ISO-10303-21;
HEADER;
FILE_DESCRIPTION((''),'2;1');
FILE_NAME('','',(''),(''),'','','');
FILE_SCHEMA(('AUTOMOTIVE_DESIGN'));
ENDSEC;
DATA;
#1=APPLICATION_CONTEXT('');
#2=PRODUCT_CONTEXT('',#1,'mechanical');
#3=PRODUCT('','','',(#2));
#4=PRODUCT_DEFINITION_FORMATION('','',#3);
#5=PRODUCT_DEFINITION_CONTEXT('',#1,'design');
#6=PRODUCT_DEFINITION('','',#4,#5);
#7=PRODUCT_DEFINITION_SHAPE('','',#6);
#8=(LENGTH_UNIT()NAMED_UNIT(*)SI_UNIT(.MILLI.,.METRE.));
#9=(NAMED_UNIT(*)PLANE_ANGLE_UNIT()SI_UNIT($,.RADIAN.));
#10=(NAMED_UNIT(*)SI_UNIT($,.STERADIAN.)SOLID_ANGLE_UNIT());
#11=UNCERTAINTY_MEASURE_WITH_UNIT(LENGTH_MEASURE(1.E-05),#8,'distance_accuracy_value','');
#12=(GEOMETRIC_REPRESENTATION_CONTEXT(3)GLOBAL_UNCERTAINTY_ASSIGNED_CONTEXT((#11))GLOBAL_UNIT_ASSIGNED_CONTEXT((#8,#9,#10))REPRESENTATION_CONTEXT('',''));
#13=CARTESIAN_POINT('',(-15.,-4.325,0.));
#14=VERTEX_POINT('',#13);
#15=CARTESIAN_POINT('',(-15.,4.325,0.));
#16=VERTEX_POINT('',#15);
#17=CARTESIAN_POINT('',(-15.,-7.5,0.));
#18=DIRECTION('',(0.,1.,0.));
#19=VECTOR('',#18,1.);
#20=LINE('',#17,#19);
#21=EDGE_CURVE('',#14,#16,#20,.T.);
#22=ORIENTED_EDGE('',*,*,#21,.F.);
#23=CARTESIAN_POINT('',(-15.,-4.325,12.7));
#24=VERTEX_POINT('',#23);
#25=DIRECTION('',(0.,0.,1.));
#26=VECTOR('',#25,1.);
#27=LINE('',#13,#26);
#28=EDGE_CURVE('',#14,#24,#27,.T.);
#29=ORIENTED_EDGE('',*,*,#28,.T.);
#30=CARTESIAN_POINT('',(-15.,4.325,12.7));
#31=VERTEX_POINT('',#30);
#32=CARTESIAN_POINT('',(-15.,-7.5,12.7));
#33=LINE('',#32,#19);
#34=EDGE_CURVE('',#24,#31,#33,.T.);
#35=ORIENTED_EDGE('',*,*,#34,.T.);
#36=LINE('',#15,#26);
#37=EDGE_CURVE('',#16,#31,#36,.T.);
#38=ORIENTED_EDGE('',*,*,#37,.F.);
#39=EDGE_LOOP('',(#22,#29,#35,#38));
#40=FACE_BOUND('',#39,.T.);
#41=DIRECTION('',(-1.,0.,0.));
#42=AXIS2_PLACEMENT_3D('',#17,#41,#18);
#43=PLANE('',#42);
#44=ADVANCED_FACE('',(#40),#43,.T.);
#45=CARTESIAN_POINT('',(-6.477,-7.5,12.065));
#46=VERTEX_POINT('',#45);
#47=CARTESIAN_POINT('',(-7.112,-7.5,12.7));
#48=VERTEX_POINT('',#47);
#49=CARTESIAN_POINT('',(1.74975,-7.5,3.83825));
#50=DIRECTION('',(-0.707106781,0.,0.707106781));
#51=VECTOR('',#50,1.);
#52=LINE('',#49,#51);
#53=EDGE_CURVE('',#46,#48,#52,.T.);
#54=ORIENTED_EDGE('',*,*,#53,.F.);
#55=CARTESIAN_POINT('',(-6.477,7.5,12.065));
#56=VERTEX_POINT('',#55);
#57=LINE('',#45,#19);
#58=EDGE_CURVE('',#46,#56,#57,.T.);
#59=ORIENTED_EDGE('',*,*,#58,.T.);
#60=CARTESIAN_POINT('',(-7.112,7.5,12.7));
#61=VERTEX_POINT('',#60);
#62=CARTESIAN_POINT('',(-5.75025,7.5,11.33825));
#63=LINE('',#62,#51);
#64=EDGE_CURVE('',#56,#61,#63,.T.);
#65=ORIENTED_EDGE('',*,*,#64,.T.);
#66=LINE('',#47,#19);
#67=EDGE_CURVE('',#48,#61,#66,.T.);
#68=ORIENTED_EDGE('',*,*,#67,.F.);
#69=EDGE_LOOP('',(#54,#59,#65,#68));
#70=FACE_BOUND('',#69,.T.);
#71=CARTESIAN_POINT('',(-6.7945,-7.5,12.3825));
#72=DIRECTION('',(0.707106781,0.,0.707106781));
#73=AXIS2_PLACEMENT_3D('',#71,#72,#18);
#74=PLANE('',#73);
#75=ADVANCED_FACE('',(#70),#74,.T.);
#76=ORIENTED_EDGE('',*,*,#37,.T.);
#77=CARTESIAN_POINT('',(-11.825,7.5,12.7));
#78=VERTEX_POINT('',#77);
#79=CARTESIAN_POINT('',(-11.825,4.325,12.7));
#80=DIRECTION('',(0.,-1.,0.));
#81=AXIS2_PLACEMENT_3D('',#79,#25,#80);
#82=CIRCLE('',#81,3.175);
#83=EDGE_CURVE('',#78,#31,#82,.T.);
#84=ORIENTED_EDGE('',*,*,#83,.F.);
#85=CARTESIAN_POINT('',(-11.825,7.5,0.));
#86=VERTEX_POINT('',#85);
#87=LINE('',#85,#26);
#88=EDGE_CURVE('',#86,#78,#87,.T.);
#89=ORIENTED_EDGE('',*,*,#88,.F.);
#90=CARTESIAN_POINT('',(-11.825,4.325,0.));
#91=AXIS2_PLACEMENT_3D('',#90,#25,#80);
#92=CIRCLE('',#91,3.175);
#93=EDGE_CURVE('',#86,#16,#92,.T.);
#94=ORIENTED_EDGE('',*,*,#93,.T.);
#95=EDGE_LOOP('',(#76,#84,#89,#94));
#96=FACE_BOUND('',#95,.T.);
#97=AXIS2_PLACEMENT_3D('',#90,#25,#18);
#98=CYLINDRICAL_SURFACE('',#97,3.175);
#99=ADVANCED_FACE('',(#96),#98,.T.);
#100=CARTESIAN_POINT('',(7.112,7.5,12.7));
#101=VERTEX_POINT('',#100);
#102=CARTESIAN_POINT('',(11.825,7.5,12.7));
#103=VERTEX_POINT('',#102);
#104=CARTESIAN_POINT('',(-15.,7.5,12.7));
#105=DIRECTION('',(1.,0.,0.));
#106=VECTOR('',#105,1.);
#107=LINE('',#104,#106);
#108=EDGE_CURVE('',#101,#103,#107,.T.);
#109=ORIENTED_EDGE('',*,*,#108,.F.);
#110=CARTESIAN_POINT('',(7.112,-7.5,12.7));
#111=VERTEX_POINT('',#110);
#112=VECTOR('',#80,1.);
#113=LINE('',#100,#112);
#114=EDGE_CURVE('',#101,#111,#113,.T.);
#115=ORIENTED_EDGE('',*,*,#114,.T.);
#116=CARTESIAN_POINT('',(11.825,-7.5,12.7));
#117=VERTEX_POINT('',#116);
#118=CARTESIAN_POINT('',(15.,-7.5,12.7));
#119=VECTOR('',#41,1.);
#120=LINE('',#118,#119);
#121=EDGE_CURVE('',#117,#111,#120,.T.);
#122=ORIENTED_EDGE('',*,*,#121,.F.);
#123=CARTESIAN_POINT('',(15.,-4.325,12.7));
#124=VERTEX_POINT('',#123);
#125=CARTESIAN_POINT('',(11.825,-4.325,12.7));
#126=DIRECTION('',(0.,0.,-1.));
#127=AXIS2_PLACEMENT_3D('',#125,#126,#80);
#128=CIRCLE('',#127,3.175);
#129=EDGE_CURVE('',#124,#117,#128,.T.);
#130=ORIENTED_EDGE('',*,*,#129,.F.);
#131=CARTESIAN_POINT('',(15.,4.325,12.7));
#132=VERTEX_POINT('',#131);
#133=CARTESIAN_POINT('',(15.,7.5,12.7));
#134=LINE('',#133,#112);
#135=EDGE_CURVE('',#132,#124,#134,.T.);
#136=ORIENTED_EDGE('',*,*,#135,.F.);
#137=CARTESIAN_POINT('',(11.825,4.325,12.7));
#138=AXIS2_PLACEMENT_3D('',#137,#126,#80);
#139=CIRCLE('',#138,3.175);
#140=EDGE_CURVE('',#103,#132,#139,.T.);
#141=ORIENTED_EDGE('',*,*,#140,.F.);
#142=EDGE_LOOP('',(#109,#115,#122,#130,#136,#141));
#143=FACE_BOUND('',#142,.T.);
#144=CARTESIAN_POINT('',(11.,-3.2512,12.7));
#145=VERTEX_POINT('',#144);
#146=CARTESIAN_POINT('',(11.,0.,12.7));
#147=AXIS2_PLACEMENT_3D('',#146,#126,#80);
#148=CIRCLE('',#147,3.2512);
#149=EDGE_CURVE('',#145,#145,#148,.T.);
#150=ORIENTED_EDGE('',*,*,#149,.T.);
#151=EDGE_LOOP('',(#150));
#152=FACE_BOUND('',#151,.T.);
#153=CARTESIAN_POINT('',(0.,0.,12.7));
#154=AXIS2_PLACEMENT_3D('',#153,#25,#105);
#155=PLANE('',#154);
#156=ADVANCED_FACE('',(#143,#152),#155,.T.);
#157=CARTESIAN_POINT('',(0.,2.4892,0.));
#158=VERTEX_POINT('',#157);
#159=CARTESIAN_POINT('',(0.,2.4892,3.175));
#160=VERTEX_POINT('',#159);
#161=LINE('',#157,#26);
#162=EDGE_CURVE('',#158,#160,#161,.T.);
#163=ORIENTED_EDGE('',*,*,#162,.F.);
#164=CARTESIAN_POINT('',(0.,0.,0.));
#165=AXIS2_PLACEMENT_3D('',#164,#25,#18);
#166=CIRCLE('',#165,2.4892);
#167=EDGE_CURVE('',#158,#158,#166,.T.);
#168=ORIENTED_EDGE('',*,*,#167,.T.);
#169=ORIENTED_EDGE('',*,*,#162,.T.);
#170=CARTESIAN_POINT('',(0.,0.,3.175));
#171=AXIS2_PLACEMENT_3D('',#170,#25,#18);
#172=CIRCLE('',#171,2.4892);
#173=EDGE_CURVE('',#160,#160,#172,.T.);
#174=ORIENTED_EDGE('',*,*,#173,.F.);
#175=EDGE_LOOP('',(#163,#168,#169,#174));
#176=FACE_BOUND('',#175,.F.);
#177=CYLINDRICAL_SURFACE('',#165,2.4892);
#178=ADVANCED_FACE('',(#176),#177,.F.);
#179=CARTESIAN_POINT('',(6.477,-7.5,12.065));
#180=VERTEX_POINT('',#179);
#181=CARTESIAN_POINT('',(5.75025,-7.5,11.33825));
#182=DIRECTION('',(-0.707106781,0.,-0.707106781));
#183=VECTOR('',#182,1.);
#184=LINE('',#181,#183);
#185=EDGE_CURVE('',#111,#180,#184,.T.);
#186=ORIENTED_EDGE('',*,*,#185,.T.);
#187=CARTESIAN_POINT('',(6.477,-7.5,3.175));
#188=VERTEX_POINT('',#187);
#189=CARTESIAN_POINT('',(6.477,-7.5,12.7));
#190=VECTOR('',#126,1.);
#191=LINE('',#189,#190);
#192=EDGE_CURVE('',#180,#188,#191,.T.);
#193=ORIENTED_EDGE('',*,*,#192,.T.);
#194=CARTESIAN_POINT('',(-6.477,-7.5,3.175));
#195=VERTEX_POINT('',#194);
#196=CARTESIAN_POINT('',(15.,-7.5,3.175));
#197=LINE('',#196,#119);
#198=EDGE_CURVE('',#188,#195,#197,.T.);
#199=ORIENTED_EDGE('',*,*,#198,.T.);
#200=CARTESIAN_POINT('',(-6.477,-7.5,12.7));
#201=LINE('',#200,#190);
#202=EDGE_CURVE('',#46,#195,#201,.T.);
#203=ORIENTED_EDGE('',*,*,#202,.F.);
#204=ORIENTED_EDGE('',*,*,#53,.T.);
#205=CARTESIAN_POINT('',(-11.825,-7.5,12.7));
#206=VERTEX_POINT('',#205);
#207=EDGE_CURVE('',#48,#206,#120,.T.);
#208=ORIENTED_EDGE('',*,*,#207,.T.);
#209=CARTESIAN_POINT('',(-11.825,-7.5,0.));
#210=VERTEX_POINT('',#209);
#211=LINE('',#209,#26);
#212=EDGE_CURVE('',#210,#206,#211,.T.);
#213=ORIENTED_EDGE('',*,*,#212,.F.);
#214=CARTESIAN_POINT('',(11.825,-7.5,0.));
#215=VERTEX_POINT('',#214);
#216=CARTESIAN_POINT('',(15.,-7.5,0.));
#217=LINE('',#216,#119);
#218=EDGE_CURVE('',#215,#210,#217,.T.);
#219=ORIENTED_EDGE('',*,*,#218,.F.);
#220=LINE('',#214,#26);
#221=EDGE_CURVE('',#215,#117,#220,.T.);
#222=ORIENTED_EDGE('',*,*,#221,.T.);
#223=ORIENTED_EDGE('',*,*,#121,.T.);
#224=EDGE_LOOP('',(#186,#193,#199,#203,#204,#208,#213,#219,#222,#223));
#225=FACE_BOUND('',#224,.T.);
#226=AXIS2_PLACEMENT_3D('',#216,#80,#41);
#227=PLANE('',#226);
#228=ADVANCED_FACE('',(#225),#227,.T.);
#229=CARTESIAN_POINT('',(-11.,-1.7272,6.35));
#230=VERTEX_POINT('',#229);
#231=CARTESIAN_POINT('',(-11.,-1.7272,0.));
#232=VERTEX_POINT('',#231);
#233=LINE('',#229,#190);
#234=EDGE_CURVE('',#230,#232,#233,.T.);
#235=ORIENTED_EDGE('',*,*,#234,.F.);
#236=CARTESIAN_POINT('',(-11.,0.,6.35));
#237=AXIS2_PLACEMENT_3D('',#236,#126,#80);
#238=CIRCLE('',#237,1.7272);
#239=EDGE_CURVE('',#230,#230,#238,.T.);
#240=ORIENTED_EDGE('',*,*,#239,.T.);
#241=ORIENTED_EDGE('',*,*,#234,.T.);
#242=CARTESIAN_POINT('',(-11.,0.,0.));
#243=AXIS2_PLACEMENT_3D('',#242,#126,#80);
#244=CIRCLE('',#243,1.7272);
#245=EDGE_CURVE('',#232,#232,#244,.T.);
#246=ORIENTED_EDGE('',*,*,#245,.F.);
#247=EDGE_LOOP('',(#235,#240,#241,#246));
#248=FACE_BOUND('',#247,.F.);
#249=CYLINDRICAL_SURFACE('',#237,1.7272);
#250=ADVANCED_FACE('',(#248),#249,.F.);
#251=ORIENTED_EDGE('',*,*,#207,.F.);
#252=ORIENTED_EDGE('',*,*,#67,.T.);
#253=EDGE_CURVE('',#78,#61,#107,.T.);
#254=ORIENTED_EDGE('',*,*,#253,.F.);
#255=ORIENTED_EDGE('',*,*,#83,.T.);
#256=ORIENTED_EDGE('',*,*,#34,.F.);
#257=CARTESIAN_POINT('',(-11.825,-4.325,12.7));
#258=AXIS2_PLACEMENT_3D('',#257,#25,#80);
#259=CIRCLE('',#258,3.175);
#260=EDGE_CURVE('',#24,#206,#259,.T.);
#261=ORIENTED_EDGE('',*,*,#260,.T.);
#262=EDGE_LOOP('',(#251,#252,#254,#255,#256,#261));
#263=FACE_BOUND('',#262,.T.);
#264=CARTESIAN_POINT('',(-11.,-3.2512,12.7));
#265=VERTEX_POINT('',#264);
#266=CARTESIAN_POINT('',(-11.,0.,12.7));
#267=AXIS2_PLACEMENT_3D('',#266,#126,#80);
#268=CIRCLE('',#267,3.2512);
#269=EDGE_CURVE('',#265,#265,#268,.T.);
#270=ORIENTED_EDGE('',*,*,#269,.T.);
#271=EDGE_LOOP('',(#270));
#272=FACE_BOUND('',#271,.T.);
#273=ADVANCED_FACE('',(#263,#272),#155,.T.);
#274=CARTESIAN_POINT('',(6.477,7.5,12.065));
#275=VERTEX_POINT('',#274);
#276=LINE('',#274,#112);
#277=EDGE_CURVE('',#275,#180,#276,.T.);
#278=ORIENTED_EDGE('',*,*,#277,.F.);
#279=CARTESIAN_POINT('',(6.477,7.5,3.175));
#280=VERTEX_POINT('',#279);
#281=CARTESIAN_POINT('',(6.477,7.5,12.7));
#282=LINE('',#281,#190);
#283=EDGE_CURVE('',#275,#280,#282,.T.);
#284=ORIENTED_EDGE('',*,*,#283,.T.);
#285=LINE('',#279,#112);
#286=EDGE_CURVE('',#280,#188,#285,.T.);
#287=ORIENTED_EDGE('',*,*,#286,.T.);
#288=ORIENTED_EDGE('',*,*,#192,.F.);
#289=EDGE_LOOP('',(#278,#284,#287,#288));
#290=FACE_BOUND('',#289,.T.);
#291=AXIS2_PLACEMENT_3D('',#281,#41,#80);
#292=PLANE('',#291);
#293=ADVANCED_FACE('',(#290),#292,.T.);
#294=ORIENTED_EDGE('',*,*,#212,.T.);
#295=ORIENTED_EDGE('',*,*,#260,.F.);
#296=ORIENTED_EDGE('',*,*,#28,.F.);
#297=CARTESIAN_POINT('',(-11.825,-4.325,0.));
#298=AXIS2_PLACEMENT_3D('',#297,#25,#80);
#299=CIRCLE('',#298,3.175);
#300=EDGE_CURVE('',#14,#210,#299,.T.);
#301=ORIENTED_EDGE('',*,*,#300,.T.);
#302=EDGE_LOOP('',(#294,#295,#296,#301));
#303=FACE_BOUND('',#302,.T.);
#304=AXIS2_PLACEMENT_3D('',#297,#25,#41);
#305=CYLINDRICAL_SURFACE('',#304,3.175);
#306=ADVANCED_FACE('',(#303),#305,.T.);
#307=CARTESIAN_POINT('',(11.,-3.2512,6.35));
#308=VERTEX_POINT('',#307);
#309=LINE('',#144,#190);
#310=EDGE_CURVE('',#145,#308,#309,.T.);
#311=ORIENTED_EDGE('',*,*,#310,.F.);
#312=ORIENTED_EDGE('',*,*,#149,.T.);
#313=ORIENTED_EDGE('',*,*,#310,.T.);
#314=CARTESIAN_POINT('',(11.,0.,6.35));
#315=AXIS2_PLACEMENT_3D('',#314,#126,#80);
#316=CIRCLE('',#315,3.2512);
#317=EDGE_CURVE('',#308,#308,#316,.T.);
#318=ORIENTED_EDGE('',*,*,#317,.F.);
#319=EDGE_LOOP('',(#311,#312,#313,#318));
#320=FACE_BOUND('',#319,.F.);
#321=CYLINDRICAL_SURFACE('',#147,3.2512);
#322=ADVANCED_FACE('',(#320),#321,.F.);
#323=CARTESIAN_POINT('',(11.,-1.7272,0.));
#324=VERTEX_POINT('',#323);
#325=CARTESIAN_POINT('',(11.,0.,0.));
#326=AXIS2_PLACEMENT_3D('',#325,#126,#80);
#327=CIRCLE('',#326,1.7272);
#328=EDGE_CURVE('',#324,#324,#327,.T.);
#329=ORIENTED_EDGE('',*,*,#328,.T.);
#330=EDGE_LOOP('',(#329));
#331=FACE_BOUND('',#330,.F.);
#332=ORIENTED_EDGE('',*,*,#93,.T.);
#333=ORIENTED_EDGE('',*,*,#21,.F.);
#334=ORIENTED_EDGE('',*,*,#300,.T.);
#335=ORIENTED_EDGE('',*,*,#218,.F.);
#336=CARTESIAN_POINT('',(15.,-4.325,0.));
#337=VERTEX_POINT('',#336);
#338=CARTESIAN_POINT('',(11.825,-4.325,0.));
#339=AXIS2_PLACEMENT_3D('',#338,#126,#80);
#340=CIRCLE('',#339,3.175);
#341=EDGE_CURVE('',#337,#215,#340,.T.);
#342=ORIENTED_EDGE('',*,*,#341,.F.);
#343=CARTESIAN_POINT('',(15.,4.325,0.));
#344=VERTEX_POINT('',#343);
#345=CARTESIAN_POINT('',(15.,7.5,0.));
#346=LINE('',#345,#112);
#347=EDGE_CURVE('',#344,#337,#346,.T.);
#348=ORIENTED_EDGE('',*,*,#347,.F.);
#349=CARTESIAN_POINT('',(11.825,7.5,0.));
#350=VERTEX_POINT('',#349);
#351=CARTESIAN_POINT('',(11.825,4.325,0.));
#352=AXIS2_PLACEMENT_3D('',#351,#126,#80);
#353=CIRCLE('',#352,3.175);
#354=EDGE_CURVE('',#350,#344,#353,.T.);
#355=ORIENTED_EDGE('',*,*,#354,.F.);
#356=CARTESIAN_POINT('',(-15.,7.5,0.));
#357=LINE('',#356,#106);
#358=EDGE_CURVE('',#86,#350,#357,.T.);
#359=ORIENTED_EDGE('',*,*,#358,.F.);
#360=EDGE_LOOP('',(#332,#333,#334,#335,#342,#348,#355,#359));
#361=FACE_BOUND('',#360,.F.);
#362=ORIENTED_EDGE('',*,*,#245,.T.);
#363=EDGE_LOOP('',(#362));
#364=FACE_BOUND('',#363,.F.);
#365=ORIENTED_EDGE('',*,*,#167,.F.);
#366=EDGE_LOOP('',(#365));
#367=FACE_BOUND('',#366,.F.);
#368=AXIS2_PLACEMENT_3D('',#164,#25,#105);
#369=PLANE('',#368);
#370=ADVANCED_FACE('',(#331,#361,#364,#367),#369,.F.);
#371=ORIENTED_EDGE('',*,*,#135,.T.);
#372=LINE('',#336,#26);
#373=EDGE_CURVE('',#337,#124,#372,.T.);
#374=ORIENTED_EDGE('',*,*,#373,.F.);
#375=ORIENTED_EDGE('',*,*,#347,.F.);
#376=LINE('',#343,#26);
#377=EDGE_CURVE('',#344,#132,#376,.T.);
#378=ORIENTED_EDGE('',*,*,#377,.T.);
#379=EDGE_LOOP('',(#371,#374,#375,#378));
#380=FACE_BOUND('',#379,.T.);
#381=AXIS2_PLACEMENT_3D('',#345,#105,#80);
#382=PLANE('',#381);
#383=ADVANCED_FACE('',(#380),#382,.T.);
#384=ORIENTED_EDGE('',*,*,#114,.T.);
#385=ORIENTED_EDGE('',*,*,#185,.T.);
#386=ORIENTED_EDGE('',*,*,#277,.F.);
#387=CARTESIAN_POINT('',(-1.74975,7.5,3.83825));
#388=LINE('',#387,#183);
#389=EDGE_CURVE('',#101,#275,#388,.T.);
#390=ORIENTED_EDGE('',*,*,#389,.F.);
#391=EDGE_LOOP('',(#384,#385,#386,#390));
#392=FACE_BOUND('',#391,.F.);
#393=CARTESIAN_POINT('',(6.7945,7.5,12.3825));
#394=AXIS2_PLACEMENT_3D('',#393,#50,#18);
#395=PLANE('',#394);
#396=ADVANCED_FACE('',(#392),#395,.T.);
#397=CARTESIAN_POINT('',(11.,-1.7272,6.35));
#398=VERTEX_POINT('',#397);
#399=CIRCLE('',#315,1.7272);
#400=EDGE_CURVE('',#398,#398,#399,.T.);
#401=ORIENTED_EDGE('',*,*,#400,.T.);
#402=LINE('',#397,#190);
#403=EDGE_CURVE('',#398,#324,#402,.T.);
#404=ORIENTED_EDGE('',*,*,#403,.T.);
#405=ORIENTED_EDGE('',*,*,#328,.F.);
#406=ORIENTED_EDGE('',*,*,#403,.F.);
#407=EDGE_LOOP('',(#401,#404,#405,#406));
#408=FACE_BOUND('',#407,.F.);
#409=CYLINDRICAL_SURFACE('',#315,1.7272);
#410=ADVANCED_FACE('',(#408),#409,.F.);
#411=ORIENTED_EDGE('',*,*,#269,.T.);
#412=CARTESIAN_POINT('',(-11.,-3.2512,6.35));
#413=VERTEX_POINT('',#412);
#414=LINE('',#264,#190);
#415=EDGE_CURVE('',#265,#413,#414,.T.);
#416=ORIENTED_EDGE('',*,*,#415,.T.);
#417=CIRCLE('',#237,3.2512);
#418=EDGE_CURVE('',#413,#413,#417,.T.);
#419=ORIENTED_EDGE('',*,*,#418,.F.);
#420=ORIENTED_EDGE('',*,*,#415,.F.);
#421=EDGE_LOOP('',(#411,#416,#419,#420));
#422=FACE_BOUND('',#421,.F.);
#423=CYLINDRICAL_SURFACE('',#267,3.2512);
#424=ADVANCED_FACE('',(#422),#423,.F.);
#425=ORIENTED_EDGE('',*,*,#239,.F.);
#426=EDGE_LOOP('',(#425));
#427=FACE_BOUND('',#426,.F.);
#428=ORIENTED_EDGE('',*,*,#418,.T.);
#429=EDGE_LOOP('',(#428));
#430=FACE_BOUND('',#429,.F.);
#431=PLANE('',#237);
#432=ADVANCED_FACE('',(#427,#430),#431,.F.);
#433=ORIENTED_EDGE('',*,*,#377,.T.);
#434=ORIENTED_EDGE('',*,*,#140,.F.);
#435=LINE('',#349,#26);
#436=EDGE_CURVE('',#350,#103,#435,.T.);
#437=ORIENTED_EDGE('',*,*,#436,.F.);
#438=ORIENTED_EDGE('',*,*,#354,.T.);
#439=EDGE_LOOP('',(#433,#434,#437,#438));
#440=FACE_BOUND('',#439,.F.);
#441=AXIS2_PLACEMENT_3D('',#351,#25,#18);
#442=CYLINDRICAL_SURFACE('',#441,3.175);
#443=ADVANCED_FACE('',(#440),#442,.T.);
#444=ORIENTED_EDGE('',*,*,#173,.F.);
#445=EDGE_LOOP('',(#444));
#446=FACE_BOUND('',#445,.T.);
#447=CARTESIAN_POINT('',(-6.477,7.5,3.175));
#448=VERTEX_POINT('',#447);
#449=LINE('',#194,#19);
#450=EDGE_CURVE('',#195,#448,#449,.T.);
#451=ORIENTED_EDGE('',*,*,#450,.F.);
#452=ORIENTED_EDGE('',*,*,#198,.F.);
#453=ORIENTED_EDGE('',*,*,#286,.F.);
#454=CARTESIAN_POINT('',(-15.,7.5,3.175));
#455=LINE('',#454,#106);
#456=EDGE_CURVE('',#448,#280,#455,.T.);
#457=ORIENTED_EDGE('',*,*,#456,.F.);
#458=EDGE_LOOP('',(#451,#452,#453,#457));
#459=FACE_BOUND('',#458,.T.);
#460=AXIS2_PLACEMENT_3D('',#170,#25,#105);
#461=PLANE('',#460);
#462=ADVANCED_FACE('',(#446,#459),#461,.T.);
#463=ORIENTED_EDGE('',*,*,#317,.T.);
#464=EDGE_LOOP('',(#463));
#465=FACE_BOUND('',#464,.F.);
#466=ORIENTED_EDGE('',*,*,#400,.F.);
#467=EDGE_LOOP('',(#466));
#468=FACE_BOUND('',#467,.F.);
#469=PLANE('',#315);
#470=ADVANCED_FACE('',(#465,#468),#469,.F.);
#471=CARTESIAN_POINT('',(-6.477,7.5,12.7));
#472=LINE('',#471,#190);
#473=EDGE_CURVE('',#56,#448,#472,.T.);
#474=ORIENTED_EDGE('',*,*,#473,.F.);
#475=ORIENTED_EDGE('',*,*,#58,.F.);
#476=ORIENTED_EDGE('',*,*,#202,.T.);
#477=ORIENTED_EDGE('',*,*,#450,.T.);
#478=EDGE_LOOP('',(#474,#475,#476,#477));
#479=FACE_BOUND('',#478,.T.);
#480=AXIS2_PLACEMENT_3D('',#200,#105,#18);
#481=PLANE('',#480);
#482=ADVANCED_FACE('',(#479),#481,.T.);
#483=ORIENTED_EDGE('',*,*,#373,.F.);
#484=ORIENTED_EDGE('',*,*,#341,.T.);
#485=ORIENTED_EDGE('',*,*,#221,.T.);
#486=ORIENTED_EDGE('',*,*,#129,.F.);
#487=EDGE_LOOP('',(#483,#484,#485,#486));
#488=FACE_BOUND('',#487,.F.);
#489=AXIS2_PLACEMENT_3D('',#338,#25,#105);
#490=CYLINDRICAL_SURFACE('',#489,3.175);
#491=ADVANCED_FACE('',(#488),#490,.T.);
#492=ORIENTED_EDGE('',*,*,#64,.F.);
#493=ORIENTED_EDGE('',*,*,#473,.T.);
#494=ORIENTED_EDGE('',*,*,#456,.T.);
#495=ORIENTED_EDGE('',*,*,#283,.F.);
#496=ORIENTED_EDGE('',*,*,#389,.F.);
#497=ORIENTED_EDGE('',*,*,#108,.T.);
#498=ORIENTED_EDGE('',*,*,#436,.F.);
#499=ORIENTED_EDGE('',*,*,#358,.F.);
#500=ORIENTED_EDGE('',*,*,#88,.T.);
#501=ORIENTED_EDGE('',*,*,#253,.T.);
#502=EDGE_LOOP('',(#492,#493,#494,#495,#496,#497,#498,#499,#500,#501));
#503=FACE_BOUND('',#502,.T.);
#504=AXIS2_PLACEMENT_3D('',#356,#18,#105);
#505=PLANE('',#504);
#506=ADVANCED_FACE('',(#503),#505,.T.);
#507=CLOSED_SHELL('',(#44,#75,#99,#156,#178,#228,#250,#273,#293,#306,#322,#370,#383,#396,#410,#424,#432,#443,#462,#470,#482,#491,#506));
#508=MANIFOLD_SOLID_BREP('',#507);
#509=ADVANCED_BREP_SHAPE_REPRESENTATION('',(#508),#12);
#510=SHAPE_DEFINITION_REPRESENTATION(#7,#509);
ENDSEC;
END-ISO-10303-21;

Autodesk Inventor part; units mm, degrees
ref_plane "YZ Plane" through (0, 0, 0) normal (1, 0, 0) x (0, 1, 0)
ref_plane "XZ Plane" through (0, 0, 0) normal (0, 1, 0) x (-1, 0, 0)
ref_plane "XY Plane" through (0, 0, 0) normal (0, 0, 1) x (1, 0, 0)
sketch "Sketch1" plane through (0, 0, 0) normal (0, 0, 1) x (1, 0, 0)
  line L0 (-15, 7.5) -> (15, 7.5)
  line L1 (15, 7.5) -> (15, -7.5)
  line L2 (15, -7.5) -> (-15, -7.5)
  line L3 (-15, -7.5) -> (-15, 7.5)
  point P0 (0, 0)
  point P1 (-15, 0)
  point P2 (0, 7.5)
  dimension "d0" = 30
  dimension "d1" = 15
extrude "Extrusion1" add sketch "Sketch1" along normal blind 12.7
sketch "Sketch3" plane through (0, 0, 12.7) normal (0, 0, 1) x (1, 0, 0)
  line L0 (-15, 7.5) -> (15, 7.5) projected
  line L1 (15, -7.5) -> (-15, -7.5) projected
  line L2 (-6.477, 7.5) -> (6.477, 7.5)
  line L3 (6.477, 7.5) -> (6.477, -7.5)
  line L4 (6.477, -7.5) -> (-6.477, -7.5)
  line L5 (-6.477, -7.5) -> (-6.477, 7.5)
  point P0 (0, 0)
  point P1 (0, 7.5)
  dimension "d13" = 12.954
extrude "Extrusion2" cut sketch "Sketch3" against normal blind 9.525
sketch "Sketch4" plane through (0, 0, 0) normal (0, 0, -1) x (-1, 0, 0)
  point P0 (0, 0)
  point P1 (0, 0)
hole "Hole2" at (0, 0, 0) direction (0, 0, 1) diameter 4.9784 end through all thread size "1/4-20 UNC" class "2B" standard "ANSI Unified Screw Threads"
sketch "Sketch5" plane through (0, 0, 12.7) normal (0, 0, 1) x (1, 0, 0)
  point P0 (0, 0)
  point P1 (-11, 0)
  point P2 (11, 0)
  dimension "d23" = 11
  dimension "d24" = 11
hole "Hole3" at (-11, 0, 12.7) at (11, 0, 12.7) direction (0, 0, -1) diameter 3.4544 end through all counterbore diameter 6.5024 counterbore depth 6.35 clearance for "Socket Head Cap Screw" size "M3" standard "Ansi Metric M Profile"
chamfer "Chamfer1" distance 0.635 angle 45 2 edges at (6.477, 0, 12.7) (-6.477, 0, 12.7)
fillet "Fillet1" radius 3.175 4 edges at (15, 7.5, 6.35) (-15, 7.5, 6.35) (-15, -7.5, 6.35) (15, -7.5, 6.35)
properties part number "J002866" material "ALUMINUM, 6061-T651"
